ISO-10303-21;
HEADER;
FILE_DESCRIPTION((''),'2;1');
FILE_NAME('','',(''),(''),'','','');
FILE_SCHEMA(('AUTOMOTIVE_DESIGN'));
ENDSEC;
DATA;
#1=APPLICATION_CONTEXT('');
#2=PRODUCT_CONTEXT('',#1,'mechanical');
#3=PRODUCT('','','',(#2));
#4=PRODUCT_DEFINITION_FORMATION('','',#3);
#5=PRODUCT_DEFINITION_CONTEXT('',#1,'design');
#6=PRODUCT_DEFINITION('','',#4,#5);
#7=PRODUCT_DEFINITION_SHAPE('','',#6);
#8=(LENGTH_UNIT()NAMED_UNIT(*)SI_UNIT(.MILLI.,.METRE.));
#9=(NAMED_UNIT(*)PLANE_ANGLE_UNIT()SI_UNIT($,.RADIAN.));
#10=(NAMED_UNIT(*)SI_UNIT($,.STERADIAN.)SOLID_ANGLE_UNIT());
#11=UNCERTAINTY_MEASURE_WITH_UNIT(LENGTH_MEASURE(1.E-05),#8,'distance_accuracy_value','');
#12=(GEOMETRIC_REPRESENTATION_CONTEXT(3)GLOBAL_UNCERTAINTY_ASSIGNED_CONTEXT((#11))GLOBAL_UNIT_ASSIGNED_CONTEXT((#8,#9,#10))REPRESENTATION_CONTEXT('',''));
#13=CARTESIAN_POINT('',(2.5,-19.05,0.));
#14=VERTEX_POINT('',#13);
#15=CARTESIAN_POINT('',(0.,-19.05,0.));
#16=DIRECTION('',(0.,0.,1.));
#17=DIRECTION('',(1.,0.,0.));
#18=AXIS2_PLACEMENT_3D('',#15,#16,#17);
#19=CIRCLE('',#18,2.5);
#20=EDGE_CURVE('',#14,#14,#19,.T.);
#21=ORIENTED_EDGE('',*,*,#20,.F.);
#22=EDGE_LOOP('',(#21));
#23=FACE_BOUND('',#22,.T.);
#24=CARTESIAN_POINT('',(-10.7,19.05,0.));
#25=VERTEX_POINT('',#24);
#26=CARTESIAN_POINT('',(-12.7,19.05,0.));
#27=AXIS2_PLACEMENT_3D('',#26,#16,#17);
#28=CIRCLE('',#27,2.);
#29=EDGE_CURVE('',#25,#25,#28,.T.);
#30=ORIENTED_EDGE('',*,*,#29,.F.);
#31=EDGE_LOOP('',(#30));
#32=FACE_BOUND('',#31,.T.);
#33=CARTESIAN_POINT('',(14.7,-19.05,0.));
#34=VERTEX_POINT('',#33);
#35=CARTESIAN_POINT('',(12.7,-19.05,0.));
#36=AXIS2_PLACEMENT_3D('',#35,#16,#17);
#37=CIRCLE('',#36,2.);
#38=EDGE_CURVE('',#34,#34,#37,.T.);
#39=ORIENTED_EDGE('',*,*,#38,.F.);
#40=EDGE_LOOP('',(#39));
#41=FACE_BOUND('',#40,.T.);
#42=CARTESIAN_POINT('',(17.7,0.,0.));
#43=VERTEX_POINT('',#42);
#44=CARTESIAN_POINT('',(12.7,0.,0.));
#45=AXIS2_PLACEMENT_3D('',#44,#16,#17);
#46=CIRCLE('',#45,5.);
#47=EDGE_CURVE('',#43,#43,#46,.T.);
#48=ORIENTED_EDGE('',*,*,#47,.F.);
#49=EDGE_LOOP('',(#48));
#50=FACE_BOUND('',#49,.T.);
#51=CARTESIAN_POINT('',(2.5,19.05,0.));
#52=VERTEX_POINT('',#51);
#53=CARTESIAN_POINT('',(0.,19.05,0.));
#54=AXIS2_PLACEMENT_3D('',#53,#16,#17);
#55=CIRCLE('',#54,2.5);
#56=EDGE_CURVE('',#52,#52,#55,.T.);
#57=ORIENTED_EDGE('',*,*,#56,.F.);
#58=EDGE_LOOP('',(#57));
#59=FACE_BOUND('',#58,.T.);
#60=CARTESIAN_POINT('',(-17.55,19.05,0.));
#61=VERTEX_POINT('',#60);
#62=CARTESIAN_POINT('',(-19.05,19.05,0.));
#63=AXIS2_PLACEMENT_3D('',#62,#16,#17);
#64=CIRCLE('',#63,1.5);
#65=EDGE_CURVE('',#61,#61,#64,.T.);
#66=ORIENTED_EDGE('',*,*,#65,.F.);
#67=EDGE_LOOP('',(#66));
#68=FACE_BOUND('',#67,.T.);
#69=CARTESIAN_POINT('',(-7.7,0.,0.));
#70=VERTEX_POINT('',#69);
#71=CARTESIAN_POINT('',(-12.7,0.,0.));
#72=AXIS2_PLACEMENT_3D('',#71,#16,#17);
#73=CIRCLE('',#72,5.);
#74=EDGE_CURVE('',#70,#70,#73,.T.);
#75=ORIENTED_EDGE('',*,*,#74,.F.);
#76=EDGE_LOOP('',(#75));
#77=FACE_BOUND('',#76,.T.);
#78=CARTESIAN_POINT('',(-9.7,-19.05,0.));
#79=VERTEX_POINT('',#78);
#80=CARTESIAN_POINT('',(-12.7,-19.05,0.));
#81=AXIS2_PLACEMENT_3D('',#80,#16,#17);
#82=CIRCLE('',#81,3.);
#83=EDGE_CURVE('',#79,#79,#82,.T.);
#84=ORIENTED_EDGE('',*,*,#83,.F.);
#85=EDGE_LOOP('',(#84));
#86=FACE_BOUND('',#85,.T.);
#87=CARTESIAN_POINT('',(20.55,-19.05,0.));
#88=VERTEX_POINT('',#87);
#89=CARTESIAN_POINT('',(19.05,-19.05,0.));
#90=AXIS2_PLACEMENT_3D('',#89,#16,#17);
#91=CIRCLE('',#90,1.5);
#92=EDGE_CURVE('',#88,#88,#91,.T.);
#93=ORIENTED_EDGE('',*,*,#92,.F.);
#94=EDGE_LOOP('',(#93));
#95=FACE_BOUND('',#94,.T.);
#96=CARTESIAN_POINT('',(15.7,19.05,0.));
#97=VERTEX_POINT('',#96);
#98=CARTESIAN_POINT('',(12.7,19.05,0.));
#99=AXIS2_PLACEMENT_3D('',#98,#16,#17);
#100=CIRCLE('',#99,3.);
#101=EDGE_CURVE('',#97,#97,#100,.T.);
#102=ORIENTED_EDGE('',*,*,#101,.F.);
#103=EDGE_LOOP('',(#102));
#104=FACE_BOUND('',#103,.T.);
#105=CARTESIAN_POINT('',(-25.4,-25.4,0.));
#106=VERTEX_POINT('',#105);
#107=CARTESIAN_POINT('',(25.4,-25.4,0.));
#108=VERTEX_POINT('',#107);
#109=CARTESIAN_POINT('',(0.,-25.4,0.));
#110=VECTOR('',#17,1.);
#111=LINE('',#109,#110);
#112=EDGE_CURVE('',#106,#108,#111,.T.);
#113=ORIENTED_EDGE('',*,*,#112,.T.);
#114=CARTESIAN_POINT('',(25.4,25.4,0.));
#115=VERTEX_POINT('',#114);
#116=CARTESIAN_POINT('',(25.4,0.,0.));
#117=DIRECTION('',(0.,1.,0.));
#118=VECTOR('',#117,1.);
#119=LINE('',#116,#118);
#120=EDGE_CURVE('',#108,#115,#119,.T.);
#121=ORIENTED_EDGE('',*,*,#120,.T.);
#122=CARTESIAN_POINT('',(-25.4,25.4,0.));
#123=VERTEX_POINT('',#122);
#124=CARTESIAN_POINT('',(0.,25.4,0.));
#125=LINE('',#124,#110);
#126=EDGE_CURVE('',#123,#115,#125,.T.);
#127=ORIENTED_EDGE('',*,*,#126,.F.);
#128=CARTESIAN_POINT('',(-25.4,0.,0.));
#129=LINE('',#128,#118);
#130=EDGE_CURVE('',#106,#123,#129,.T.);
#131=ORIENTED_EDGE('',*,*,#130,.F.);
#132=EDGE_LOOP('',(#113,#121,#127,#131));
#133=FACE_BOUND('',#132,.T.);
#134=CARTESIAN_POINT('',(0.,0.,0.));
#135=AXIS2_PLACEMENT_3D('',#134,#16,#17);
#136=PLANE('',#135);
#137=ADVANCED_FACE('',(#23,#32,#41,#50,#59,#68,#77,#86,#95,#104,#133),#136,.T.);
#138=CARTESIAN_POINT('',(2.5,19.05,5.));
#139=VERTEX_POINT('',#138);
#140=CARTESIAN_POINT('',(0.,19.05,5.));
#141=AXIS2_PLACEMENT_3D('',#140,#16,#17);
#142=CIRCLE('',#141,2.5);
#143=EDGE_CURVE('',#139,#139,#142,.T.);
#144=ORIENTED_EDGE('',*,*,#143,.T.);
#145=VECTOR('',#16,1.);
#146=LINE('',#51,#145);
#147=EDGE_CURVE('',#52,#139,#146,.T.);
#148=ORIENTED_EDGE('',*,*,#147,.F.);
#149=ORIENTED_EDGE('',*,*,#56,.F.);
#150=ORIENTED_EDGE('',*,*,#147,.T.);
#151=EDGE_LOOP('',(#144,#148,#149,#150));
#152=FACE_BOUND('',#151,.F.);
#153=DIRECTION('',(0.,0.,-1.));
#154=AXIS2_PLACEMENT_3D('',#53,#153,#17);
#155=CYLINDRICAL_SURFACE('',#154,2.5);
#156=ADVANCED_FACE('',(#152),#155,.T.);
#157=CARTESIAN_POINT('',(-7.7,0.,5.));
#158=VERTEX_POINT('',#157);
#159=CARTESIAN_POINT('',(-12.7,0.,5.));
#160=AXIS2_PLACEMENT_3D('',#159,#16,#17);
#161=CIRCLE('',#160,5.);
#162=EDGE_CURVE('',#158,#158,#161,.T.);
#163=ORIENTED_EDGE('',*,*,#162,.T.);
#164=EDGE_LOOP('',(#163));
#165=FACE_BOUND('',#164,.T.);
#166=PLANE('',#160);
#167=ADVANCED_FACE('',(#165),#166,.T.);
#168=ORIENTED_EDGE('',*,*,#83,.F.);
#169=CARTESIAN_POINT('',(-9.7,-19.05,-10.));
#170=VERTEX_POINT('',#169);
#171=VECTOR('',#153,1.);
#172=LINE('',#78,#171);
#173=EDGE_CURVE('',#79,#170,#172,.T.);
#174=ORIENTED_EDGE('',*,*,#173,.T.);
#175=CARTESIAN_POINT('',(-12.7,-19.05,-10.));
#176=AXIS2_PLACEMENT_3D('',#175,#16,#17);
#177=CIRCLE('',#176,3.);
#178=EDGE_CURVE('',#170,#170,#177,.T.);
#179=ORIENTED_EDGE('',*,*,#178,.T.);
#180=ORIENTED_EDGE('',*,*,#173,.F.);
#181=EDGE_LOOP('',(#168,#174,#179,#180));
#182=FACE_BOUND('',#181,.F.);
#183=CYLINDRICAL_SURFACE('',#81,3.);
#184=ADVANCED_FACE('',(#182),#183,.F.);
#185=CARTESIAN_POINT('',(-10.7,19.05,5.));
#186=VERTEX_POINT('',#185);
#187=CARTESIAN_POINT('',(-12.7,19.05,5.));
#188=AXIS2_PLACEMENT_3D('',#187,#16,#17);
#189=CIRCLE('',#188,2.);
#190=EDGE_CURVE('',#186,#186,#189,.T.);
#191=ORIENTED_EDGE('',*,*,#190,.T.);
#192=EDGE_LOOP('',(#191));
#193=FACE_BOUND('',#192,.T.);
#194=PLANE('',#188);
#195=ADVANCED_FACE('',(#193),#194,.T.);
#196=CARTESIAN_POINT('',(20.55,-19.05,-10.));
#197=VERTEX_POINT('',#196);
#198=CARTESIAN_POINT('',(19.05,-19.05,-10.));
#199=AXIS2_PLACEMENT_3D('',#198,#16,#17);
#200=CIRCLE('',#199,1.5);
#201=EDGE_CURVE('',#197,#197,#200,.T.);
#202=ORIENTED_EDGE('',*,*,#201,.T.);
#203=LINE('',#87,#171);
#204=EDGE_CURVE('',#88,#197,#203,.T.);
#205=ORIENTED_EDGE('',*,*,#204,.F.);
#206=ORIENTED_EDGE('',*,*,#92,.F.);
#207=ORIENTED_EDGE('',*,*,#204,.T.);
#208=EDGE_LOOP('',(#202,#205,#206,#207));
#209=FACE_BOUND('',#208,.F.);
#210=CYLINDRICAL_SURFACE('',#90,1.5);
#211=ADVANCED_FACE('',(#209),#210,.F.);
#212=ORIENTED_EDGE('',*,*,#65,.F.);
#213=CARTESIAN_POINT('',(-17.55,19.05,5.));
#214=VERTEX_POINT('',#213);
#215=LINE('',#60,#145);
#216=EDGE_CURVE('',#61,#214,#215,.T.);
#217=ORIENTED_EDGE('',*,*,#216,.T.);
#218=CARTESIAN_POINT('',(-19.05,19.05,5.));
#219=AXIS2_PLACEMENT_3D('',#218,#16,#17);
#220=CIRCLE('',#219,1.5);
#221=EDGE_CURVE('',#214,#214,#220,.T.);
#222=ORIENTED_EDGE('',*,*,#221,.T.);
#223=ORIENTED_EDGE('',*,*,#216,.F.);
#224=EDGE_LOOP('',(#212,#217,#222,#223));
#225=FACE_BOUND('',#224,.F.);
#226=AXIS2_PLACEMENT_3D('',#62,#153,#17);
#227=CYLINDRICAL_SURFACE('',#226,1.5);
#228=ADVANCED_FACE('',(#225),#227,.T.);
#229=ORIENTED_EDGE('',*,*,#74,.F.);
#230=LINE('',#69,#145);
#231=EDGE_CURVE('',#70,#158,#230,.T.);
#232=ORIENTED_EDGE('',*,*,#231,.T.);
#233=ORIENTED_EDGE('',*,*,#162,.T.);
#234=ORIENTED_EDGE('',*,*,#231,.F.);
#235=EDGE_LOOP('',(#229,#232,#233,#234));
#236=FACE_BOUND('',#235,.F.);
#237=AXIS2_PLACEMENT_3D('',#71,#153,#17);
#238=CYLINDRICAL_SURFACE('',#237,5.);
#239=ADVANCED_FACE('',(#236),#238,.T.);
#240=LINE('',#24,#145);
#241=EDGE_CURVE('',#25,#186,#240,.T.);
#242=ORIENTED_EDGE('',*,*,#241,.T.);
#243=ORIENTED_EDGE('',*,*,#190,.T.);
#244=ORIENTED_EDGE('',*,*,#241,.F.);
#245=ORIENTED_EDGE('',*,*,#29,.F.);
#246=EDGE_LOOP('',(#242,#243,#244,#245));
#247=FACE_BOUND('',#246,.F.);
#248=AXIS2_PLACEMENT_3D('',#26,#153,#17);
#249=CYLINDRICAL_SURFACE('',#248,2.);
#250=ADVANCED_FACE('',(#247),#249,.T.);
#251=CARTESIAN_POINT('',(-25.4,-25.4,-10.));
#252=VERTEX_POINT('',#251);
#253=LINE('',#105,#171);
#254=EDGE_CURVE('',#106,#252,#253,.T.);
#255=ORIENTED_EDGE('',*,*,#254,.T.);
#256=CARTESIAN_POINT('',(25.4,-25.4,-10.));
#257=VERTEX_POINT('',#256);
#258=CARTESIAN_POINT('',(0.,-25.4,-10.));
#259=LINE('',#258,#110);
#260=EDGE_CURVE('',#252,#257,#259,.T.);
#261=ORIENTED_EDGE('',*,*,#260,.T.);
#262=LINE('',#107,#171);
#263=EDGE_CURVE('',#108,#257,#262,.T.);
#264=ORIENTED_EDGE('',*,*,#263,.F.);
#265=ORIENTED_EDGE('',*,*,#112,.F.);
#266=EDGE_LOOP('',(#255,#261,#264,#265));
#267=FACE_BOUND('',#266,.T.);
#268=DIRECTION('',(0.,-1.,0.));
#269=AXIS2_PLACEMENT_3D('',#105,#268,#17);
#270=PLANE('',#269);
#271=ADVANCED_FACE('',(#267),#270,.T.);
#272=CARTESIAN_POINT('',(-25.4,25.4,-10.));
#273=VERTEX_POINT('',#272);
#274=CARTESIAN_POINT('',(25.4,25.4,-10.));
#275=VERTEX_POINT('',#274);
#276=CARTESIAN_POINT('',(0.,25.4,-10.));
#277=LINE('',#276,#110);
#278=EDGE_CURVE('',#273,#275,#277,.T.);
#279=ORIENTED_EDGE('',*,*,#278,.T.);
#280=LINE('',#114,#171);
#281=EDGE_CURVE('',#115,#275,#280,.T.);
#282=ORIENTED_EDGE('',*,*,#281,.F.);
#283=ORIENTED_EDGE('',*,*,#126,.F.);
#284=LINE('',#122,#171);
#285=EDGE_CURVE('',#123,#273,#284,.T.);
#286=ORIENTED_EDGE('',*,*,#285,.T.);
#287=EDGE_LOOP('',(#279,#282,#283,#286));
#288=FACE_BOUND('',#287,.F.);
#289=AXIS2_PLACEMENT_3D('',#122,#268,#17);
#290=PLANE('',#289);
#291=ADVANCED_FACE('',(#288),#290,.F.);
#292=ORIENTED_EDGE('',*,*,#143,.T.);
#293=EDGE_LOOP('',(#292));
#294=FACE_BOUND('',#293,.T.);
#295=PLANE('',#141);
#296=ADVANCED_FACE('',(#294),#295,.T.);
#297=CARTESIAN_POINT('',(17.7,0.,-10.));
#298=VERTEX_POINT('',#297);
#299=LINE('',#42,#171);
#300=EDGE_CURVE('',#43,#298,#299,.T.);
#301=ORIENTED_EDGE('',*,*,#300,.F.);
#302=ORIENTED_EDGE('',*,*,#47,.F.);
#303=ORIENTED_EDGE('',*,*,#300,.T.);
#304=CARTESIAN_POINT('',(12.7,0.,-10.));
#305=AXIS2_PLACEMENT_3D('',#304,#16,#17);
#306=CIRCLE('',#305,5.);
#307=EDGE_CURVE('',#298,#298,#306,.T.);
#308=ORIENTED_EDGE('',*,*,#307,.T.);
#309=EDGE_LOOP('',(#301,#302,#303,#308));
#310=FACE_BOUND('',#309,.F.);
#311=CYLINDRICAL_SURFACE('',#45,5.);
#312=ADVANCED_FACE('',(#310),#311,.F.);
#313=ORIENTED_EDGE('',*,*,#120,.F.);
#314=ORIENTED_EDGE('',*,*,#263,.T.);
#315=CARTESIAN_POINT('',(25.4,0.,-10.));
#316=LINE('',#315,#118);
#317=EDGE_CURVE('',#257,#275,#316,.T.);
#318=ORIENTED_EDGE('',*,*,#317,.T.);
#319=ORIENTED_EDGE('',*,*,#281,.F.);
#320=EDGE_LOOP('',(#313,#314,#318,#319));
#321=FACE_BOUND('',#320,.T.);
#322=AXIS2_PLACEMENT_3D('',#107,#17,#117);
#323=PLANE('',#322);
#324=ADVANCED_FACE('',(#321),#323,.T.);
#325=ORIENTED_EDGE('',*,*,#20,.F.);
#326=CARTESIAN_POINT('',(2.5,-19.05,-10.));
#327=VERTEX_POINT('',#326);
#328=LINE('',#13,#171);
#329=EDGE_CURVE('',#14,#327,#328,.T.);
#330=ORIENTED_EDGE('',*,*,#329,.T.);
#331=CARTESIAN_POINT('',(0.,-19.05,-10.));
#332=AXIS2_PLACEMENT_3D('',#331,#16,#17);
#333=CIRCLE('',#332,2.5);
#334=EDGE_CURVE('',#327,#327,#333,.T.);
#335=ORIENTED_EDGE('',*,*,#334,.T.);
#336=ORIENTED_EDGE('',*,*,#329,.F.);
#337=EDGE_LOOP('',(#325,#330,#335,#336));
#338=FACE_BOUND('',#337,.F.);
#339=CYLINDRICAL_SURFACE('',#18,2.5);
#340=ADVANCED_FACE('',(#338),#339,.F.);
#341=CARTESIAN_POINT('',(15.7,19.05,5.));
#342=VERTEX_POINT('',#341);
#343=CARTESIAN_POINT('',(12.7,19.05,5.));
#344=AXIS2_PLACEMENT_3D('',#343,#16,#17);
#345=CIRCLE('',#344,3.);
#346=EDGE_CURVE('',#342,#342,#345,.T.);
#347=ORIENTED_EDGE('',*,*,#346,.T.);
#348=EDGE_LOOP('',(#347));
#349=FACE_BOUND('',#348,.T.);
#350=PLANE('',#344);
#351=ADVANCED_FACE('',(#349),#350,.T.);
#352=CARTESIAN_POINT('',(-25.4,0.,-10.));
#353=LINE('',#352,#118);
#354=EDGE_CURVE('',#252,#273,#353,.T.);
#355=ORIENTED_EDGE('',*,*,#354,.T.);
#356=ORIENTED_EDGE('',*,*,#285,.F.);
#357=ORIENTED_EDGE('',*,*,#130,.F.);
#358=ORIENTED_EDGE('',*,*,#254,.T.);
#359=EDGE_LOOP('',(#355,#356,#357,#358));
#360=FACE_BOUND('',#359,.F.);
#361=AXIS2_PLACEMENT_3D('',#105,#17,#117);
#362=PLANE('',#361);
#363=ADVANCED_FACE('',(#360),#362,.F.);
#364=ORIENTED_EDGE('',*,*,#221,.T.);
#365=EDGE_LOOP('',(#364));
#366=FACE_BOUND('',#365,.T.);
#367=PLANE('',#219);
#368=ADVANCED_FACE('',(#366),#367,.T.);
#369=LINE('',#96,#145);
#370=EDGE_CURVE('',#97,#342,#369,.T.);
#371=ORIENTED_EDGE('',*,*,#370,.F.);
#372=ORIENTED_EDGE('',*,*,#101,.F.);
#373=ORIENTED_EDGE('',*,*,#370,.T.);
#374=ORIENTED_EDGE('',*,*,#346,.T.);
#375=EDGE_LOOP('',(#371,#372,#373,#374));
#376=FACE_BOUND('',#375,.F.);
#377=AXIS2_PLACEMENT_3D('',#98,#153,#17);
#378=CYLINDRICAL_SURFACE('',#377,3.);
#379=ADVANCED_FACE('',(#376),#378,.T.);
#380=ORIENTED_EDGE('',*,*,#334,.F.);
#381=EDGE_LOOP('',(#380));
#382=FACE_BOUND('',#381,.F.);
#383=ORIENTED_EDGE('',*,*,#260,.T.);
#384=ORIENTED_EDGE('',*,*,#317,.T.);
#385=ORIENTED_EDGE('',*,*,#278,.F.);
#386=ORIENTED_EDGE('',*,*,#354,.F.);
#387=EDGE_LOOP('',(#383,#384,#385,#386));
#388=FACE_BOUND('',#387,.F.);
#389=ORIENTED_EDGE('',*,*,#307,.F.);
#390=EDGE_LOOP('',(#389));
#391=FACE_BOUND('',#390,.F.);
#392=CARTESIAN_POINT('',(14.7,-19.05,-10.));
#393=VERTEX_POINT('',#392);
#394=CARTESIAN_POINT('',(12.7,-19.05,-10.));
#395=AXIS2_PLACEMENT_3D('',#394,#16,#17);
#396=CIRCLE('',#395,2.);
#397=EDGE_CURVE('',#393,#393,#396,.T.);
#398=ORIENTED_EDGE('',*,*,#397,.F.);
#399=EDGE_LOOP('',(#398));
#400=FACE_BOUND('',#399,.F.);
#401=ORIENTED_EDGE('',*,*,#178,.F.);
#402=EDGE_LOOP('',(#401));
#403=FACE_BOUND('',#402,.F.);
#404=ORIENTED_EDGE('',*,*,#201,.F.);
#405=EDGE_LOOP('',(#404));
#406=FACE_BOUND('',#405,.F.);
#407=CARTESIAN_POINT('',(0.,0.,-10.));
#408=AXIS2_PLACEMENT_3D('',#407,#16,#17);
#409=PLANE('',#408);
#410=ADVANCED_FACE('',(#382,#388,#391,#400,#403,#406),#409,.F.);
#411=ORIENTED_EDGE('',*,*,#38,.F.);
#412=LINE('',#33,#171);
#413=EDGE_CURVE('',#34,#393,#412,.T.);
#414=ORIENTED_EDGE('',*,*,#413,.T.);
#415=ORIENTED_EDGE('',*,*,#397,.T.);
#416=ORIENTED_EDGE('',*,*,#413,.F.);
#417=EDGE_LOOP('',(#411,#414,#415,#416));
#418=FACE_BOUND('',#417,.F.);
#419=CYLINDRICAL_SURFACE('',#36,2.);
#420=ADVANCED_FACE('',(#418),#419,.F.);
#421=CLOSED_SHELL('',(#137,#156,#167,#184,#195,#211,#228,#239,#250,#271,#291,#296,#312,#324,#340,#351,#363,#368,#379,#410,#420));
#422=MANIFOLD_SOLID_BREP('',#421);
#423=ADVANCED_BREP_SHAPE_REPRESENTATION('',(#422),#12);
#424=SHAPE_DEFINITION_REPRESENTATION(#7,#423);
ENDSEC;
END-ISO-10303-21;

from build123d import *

# Parameters (mm, degrees)
F0_W     = 50.8
F0_H     = 50.8
F0_R     = 3
F0_R_2   = 2.5
F0_R_3   = 5
F0_R_4   = 2
F0_R_5   = 1.5
F1_DEPTH = 10
F2_DEPTH = 5


with BuildPart() as f1:
    # F0 (on Top) → F1 (new body)
    with BuildSketch(Plane.XY):
        Rectangle(F0_W, F0_H)
        with Locations((-12.7, -19.05)):
            Circle(F0_R, mode=Mode.SUBTRACT)
        with Locations((0, -19.05)):
            Circle(F0_R_2, mode=Mode.SUBTRACT)
        with Locations((-12.7, 0)):
            Circle(F0_R_3, mode=Mode.SUBTRACT)
        with Locations((12.7, -19.05)):
            Circle(F0_R_4, mode=Mode.SUBTRACT)
        with Locations((19.05, -19.05)):
            Circle(F0_R_5, mode=Mode.SUBTRACT)
        with Locations((12.7, 0)):
            Circle(F0_R_3, mode=Mode.SUBTRACT)
        with Locations((-19.05, 19.05)):
            Circle(F0_R_5, mode=Mode.SUBTRACT)
        with Locations((-12.7, 19.05)):
            Circle(F0_R_4, mode=Mode.SUBTRACT)
        with Locations((0, 19.05)):
            Circle(F0_R_2, mode=Mode.SUBTRACT)
        with Locations((12.7, 19.05)):
            Circle(F0_R, mode=Mode.SUBTRACT)
        with Locations((12.7, 19.05)):
            Circle(F0_R)
        with Locations((0, 19.05)):
            Circle(F0_R_2)
        with Locations((-12.7, 19.05)):
            Circle(F0_R_4)
        with Locations((-19.05, 19.05)):
            Circle(F0_R_5)
        with Locations((-12.7, 0)):
            Circle(F0_R_3)
    extrude(amount=-F1_DEPTH)

    # F0 (on Top) → F2 (join)
    with BuildSketch(Plane.XY):
        with Locations((-12.7, 0)):
            Circle(F0_R_3)
        with Locations((12.7, 19.05)):
            Circle(F0_R)
        with Locations((0, 19.05)):
            Circle(F0_R_2)
        with Locations((-12.7, 19.05)):
            Circle(F0_R_4)
        with Locations((-19.05, 19.05)):
            Circle(F0_R_5)
    extrude(amount=F2_DEPTH)


solid = f1.part
